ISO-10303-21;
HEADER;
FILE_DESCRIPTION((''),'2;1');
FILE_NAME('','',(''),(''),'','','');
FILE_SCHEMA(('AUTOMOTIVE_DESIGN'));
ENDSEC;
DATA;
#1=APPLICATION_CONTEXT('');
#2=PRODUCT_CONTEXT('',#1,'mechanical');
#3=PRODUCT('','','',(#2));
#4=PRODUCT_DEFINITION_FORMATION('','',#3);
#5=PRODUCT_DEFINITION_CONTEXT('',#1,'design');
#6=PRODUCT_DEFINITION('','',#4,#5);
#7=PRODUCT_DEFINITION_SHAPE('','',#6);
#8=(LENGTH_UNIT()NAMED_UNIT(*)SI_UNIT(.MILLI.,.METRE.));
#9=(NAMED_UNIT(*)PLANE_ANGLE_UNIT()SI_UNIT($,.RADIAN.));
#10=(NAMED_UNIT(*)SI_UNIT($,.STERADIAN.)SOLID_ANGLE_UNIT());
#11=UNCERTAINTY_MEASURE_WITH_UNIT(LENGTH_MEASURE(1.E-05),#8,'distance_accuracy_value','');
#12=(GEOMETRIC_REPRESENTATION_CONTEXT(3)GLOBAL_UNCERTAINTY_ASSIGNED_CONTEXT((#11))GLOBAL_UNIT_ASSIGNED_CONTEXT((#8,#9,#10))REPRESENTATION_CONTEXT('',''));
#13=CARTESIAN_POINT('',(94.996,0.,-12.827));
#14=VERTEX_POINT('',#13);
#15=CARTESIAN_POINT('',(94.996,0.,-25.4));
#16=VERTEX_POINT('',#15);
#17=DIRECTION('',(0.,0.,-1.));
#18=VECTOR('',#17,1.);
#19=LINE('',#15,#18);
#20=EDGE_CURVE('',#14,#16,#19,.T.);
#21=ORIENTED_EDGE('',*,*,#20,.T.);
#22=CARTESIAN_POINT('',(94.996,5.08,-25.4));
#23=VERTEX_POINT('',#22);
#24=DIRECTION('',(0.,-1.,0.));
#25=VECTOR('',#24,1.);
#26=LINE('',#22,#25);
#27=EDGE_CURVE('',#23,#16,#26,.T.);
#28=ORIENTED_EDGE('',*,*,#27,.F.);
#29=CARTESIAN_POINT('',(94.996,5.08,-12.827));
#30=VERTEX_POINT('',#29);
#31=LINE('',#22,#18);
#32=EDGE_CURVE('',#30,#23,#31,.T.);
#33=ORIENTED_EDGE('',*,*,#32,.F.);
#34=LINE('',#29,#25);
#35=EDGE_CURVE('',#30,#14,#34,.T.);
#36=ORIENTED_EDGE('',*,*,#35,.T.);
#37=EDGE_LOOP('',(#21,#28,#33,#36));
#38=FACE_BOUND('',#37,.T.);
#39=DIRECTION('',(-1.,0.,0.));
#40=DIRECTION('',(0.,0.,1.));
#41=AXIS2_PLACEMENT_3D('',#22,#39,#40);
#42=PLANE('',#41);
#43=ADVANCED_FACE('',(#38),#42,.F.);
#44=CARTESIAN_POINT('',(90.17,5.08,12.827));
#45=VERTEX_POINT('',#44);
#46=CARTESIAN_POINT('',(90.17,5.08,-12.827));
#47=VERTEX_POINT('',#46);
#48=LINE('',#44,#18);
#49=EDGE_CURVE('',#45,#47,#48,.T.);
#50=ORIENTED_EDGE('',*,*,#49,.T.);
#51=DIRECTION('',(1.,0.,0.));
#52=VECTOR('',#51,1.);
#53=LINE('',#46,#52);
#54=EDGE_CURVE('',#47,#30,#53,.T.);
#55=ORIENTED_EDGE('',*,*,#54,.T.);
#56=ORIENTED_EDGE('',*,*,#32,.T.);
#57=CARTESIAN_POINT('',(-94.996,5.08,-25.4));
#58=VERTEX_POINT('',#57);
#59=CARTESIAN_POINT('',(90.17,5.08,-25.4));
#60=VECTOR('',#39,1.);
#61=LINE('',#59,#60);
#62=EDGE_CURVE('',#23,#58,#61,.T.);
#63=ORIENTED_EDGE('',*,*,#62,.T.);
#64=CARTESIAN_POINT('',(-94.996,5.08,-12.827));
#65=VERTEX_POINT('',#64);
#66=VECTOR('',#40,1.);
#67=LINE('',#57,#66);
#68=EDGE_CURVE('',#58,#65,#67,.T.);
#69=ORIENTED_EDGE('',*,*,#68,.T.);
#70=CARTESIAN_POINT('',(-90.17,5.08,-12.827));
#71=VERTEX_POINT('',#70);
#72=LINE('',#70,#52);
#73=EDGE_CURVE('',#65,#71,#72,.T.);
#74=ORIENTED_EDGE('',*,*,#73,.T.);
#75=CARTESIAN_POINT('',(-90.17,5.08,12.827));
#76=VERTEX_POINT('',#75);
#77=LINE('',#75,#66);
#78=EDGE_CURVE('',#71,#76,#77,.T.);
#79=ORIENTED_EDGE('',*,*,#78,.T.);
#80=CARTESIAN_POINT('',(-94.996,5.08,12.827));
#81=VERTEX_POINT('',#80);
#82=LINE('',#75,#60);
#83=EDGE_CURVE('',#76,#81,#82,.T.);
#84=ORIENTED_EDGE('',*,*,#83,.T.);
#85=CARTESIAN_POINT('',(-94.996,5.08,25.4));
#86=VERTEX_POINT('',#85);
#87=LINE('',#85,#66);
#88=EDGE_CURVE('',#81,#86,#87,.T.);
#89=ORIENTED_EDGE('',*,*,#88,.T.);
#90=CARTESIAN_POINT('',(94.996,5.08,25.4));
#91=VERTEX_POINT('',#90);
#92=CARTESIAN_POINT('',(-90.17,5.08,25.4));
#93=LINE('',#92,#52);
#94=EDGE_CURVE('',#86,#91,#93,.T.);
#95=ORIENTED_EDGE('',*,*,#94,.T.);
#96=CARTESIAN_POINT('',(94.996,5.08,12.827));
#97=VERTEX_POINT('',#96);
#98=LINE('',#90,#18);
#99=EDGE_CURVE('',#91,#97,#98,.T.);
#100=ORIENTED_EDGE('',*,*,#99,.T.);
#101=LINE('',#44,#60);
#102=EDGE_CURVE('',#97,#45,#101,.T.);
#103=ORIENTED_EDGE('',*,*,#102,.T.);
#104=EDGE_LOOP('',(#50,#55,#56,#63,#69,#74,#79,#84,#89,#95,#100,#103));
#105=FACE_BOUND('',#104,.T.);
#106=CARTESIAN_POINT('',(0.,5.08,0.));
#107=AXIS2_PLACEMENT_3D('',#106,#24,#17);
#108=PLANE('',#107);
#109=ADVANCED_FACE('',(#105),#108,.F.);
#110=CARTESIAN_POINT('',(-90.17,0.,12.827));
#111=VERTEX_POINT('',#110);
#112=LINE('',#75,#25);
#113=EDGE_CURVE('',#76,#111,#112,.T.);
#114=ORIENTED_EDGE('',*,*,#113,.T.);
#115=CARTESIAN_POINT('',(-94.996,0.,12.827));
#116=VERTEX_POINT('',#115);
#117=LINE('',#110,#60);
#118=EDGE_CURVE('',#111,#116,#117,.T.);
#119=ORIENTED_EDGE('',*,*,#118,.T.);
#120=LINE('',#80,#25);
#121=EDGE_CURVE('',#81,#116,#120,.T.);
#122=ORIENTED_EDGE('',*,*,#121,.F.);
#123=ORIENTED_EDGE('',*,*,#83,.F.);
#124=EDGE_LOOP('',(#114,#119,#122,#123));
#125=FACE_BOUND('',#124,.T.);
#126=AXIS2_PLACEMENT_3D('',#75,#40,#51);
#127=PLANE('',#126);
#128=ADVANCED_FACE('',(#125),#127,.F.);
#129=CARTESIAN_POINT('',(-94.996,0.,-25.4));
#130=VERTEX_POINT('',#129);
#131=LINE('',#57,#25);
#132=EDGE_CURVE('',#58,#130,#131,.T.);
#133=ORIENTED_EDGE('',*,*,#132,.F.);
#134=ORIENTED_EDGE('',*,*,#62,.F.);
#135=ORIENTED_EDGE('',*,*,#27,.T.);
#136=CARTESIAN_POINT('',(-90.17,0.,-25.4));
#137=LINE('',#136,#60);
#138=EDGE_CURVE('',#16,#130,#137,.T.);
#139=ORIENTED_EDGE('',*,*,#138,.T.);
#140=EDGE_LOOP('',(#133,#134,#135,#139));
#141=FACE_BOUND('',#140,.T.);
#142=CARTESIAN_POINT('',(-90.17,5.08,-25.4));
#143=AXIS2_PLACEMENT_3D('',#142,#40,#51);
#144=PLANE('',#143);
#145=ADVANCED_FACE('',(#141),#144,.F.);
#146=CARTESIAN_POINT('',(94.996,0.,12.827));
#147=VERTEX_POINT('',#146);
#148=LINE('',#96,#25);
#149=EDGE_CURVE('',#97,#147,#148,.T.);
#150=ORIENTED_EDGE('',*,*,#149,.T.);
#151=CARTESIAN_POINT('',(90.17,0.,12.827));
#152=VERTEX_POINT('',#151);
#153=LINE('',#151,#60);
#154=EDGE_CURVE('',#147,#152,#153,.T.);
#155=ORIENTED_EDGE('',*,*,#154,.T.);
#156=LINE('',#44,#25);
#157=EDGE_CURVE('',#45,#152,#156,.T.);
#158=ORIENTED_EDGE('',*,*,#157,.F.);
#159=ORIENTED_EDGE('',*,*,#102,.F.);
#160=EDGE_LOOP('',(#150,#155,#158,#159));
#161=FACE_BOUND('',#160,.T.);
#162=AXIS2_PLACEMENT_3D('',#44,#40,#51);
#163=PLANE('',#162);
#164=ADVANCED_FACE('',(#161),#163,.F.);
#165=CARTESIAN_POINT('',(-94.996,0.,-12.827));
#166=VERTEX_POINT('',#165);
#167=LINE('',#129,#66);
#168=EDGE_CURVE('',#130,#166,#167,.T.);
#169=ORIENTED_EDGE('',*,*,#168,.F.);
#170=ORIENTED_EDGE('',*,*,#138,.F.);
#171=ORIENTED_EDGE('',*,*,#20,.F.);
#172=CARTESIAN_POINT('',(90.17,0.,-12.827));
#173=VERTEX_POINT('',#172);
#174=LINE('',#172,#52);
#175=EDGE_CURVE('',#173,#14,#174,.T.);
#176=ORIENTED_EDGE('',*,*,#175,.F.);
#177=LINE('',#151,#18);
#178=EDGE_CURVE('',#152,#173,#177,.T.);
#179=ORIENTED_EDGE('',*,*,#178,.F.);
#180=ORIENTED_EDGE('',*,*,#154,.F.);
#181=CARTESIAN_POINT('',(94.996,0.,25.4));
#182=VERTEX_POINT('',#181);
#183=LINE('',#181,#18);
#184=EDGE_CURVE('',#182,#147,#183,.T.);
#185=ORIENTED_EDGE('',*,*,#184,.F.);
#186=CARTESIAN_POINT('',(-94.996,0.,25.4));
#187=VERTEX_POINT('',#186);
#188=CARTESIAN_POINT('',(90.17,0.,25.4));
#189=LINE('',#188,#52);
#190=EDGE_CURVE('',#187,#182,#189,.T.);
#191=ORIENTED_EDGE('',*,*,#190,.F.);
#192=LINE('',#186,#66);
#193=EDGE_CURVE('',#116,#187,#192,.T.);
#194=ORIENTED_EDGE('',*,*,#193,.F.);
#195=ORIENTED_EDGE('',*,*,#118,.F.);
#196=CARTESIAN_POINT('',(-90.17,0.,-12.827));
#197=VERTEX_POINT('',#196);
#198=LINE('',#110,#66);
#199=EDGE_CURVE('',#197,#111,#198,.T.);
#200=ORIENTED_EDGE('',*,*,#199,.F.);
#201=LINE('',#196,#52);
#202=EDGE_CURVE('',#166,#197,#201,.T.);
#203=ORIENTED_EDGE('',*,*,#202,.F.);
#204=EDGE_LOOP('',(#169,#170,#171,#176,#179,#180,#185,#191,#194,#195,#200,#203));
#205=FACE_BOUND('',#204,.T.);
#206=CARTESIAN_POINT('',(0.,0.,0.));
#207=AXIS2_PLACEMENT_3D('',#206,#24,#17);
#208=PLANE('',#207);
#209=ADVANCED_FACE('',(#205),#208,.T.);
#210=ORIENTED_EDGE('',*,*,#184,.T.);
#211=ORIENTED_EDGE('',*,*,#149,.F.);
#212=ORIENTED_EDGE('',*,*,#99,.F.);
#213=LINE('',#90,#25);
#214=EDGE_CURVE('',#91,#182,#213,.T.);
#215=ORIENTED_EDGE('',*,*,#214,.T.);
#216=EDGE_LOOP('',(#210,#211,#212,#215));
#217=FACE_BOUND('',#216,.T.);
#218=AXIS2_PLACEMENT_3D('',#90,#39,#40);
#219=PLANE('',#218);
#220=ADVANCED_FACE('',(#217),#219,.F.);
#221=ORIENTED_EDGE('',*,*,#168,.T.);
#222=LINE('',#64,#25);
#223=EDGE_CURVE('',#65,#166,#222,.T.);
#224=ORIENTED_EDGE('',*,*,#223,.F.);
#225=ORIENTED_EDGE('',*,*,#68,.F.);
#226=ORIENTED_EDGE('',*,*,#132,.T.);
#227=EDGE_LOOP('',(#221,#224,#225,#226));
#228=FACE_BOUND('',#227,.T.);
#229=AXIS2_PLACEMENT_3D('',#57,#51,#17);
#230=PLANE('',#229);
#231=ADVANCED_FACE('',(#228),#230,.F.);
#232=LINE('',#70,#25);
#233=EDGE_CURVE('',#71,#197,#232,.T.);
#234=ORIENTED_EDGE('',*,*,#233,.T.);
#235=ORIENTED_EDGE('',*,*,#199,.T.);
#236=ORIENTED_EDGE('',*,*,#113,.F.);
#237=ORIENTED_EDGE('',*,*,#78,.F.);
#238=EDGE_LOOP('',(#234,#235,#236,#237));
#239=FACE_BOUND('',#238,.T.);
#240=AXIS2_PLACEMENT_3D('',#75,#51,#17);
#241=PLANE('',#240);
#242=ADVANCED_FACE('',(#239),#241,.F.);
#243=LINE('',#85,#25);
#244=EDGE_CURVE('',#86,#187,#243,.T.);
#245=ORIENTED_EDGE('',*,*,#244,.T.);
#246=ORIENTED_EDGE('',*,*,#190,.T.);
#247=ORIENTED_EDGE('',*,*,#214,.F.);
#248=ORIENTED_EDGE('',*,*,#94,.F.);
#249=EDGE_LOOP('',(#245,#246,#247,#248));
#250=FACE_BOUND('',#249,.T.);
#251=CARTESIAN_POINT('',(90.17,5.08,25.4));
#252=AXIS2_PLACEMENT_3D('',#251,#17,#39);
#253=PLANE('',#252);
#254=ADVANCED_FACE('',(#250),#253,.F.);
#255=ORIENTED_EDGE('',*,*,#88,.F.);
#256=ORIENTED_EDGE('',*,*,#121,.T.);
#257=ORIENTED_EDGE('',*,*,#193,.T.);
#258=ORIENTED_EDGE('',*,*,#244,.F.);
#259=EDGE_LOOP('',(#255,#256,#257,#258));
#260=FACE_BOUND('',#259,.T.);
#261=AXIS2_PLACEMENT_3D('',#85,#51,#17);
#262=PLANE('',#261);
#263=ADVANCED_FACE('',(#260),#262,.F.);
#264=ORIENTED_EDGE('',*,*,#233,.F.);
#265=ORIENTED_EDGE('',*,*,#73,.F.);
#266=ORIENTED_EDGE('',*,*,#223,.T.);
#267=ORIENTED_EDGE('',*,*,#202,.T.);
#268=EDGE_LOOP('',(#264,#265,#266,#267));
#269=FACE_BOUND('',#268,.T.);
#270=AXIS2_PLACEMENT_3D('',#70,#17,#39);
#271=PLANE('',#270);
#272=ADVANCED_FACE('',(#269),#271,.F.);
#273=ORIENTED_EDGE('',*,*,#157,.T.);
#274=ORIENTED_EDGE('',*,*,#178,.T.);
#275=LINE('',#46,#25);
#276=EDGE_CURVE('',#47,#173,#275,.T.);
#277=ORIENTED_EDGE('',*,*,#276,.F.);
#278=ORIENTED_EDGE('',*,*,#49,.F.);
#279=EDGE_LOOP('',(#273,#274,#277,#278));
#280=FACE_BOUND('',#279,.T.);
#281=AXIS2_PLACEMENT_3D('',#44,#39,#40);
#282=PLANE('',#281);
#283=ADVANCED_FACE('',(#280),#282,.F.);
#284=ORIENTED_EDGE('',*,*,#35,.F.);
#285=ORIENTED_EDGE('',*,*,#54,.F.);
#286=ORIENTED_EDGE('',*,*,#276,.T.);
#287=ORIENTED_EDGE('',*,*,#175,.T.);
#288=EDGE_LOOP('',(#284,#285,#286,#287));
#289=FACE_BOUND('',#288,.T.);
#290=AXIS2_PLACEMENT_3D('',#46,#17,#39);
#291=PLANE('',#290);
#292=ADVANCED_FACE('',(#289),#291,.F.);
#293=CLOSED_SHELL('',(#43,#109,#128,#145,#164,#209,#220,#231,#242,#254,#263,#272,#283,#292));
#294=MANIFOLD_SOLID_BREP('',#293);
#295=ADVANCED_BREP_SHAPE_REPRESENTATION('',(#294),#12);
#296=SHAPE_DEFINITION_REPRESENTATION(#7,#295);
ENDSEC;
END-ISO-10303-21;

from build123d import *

# Parameters (mm, degrees)
BOSS_EXTRUDE1_DEPTH = 5.08


with BuildPart() as part:
    # Sketch1 → Boss-Extrude1 (new body)
    with BuildSketch(Plane(origin=(0, 0, 0), x_dir=(1, 0, 0), z_dir=(0, 1, 0))):
        Polygon((-90.17, -25.4), (90.17, -25.4), (94.996, -25.4), (94.996, -12.827), (90.17, -12.827), (90.17, 12.827), (94.996, 12.827), (94.996, 25.4), (90.17, 25.4), (-90.17, 25.4), (-94.996, 25.4), (-94.996, 12.827), (-90.17, 12.827), (-90.17, -12.827), (-94.996, -12.827), (-94.996, -25.4), align=None)
    extrude(amount=BOSS_EXTRUDE1_DEPTH)


solid = part.part
